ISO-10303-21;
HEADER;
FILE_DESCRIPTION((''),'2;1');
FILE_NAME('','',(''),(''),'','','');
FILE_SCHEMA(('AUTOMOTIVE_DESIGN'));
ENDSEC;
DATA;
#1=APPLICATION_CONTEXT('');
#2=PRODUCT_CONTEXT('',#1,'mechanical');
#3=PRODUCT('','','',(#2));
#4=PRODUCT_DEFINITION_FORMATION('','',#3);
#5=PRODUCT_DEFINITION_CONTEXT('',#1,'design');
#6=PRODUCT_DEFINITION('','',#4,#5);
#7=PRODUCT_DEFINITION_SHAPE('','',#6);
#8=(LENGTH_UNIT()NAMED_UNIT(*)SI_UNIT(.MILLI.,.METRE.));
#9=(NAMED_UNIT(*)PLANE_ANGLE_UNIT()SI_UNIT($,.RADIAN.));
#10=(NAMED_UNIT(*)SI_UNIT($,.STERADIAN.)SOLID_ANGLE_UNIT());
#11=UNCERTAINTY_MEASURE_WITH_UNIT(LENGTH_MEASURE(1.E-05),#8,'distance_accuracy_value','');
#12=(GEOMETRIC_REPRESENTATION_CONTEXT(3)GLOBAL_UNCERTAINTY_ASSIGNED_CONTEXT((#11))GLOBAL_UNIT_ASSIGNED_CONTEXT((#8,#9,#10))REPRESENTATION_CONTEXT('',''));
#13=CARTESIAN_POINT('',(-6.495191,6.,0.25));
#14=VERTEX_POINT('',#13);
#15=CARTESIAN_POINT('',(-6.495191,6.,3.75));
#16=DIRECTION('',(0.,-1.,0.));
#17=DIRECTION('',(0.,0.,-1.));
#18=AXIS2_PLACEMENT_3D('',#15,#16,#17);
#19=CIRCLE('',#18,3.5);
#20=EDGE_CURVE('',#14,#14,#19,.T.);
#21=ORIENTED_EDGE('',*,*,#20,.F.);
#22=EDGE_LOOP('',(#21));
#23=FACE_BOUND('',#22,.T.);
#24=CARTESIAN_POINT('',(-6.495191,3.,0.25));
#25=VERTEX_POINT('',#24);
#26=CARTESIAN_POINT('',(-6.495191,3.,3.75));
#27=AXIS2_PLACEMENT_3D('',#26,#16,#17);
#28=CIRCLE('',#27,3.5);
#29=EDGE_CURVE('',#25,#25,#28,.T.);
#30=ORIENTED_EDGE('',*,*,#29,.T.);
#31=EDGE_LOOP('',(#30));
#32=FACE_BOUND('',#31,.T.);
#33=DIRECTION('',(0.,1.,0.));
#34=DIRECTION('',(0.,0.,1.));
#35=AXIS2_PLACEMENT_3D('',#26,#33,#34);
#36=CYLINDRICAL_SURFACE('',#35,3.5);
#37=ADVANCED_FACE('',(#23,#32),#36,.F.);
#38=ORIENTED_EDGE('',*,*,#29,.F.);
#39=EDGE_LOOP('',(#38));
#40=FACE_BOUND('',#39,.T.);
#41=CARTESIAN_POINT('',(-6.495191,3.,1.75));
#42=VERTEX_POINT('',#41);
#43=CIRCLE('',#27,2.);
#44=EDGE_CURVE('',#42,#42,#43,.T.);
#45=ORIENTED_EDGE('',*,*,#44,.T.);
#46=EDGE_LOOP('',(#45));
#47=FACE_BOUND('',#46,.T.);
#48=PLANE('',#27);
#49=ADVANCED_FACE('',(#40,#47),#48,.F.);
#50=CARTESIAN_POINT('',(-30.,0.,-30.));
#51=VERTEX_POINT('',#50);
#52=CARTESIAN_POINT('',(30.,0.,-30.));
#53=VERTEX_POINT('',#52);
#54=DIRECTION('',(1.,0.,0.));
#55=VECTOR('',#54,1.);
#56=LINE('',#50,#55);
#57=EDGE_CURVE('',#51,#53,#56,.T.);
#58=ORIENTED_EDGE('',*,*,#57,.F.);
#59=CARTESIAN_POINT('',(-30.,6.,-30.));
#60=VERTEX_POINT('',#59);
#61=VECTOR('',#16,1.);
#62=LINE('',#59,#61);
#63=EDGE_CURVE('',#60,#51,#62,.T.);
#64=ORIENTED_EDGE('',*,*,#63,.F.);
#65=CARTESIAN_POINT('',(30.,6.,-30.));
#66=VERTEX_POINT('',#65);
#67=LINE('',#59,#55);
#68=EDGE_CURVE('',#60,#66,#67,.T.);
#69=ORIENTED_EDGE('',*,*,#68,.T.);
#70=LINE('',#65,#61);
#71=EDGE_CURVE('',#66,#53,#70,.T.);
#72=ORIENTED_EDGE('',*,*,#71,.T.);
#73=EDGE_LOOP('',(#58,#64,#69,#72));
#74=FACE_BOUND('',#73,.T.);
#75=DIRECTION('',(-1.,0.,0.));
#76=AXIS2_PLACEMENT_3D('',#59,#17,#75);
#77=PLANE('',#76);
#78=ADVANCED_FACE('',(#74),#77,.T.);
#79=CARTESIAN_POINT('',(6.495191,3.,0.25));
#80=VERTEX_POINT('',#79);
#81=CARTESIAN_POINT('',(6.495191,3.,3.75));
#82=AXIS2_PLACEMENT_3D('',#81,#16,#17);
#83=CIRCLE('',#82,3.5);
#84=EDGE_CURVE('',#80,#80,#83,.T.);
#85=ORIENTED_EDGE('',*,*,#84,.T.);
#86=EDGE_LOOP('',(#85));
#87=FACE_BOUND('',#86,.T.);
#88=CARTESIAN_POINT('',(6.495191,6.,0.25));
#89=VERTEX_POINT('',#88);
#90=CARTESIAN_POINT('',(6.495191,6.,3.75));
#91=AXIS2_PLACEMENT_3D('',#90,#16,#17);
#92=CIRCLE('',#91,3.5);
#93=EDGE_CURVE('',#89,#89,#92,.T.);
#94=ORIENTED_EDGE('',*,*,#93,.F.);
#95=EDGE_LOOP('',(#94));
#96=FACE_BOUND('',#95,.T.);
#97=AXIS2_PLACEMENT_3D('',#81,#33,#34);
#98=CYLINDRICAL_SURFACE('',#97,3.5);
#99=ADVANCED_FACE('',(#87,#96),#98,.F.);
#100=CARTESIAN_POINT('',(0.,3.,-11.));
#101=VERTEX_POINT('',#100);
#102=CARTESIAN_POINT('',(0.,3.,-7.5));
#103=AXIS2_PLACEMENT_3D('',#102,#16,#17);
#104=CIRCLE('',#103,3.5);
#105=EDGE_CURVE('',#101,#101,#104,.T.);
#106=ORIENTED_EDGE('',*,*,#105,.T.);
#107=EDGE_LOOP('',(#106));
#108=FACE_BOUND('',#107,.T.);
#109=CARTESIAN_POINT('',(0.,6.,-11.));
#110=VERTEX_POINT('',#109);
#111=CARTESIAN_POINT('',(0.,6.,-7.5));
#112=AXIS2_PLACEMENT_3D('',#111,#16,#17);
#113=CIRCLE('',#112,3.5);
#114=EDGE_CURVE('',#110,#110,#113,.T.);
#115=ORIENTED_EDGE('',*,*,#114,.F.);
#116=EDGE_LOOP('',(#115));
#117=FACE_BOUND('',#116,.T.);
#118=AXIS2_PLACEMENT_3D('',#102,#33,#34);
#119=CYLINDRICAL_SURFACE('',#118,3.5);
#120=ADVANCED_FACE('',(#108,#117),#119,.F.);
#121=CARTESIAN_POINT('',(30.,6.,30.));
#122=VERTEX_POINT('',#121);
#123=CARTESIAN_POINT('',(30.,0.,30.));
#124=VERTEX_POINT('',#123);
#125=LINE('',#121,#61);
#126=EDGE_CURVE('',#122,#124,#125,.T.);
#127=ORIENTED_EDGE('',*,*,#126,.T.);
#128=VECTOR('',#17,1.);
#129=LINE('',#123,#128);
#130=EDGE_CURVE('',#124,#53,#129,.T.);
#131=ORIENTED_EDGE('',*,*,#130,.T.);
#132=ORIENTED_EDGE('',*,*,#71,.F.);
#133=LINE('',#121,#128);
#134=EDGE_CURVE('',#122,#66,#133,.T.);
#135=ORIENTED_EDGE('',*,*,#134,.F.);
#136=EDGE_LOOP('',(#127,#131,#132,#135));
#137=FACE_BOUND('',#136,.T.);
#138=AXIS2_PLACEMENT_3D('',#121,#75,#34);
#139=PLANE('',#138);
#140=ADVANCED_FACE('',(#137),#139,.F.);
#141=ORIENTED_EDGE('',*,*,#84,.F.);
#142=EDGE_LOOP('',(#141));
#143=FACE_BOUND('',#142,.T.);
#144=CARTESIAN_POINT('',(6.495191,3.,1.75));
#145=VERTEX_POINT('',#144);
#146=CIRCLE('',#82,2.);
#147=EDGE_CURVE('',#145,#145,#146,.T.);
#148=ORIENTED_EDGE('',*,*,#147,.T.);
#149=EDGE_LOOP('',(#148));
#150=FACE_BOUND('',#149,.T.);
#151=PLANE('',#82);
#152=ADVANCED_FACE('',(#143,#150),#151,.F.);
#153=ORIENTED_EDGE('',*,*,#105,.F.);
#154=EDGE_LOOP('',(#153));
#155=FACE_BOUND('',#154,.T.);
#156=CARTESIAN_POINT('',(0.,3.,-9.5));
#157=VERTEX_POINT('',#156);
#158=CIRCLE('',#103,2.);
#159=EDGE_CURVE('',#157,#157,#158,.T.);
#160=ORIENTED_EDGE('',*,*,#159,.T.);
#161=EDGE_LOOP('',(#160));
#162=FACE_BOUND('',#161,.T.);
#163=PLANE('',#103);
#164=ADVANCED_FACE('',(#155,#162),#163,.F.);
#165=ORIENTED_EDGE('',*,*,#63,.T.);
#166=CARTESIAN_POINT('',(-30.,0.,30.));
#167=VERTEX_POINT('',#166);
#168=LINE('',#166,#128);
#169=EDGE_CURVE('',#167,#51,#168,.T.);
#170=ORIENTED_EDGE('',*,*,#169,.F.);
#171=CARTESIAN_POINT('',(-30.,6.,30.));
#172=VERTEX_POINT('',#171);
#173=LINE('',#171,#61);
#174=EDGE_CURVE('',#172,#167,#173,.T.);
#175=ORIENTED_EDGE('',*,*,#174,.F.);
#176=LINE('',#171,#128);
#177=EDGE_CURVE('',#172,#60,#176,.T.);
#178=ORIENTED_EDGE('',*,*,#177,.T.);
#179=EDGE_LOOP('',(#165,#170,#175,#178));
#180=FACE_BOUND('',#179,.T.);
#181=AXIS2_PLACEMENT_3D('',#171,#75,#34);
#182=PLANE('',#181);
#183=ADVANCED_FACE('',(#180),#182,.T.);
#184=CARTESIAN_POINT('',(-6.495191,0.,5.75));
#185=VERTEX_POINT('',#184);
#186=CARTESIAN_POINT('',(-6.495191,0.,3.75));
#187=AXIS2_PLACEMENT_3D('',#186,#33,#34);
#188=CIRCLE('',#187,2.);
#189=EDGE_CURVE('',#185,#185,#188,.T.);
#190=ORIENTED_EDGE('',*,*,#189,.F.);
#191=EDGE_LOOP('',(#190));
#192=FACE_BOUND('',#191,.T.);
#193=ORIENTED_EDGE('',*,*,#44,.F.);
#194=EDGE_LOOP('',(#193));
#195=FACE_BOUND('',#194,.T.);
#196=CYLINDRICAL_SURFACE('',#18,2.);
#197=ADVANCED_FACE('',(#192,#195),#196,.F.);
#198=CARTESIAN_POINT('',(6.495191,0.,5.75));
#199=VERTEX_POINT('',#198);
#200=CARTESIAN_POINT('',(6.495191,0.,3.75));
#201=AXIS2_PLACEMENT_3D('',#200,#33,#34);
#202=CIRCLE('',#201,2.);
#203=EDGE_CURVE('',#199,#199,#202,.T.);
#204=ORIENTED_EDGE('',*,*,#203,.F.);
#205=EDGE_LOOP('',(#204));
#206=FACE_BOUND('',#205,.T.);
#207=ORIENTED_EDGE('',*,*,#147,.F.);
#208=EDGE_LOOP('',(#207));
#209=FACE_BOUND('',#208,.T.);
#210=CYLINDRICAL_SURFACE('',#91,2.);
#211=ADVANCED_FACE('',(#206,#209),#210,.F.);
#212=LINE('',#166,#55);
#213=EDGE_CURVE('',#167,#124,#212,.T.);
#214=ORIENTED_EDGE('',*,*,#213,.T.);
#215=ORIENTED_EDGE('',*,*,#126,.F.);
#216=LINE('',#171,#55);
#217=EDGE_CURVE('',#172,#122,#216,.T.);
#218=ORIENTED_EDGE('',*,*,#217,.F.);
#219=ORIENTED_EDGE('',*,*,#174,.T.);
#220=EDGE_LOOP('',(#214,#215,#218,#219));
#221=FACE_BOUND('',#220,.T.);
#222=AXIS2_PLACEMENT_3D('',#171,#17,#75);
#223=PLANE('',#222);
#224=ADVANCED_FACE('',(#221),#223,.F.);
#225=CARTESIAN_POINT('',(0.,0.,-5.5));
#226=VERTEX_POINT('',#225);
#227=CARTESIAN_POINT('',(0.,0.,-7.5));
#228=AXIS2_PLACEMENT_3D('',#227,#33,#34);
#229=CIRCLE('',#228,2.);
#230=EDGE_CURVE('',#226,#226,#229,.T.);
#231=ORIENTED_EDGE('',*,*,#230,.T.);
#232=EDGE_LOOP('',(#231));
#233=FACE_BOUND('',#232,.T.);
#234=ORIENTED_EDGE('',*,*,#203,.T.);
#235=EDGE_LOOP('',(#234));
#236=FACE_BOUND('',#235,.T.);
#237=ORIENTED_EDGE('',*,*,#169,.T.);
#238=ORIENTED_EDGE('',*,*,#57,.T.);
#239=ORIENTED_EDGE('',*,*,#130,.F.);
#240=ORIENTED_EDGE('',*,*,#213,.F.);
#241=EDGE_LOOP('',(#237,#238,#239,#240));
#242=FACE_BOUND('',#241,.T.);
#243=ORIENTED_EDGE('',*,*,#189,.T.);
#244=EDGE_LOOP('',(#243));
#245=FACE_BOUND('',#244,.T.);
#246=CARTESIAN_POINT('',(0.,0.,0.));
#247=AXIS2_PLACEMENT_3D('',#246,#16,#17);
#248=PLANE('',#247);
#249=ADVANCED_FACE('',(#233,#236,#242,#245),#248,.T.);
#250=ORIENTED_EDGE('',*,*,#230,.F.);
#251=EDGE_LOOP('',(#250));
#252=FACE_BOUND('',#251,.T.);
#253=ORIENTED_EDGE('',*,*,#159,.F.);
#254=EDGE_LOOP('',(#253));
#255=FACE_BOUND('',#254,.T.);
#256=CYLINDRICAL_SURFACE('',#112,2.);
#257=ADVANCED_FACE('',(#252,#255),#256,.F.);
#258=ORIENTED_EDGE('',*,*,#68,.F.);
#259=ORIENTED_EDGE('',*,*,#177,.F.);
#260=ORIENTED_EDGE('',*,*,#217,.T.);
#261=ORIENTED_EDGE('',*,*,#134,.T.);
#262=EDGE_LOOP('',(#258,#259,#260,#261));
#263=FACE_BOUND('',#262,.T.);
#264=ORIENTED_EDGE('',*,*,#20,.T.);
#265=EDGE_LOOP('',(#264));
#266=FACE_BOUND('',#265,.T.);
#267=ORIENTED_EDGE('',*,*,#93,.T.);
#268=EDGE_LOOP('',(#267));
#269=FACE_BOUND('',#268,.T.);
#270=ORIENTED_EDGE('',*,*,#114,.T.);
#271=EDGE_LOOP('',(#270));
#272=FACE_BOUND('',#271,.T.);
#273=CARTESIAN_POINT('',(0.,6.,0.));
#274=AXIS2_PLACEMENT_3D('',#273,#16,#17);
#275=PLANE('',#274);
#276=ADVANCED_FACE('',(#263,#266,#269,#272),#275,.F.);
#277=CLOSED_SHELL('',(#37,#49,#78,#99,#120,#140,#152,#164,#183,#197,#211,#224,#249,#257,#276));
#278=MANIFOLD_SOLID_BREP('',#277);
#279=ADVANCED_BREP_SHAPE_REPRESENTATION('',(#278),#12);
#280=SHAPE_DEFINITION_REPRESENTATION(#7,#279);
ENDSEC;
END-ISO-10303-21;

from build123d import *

# Parameters (mm, degrees)
SKETCH1_W           = 60
SKETCH1_H           = 60
BOSS_EXTRUDE2_DEPTH = 6
SKETCH1_4_R         = 2
CUT_EXTRUDE1_DEPTH  = 7
CUT_EXTRUDE2_START  = 6
SKETCH1_5_R         = 3.5
CUT_EXTRUDE2_DEPTH  = 3


with BuildPart() as part:
    # Sketch1 → Boss-Extrude2 (new body)
    with BuildSketch(Plane(origin=(0, 0, 0), x_dir=(1, 0, 0), z_dir=(0, 1, 0))):
        Rectangle(SKETCH1_W, SKETCH1_H)
    extrude(amount=BOSS_EXTRUDE2_DEPTH)

    # Sketch1<4> → Cut-Extrude1 (cut, through all)
    with BuildSketch(Plane(origin=(0, 0, 0), x_dir=(1, 0, 0), z_dir=(0, 1, 0))):
        with Locations((0, 7.5)):
            Circle(SKETCH1_4_R)
        with Locations((6.495190528, -3.75)):
            Circle(SKETCH1_4_R)
        with Locations((-6.495190528, -3.75)):
            Circle(SKETCH1_4_R)
    extrude(amount=CUT_EXTRUDE1_DEPTH, mode=Mode.SUBTRACT)

    # Sketch1<5> → Cut-Extrude2 (cut)
    with BuildSketch(Plane(origin=(0, 0, 0), x_dir=(1, 0, 0), z_dir=(0, 1, 0)).offset(CUT_EXTRUDE2_START)):
        with Locations((0, 7.5)):
            Circle(SKETCH1_5_R)
        with Locations((6.495190528, -3.75)):
            Circle(SKETCH1_5_R)
        with Locations((-6.495190528, -3.75)):
            Circle(SKETCH1_5_R)
    extrude(amount=-CUT_EXTRUDE2_DEPTH, mode=Mode.SUBTRACT)


solid = part.part
